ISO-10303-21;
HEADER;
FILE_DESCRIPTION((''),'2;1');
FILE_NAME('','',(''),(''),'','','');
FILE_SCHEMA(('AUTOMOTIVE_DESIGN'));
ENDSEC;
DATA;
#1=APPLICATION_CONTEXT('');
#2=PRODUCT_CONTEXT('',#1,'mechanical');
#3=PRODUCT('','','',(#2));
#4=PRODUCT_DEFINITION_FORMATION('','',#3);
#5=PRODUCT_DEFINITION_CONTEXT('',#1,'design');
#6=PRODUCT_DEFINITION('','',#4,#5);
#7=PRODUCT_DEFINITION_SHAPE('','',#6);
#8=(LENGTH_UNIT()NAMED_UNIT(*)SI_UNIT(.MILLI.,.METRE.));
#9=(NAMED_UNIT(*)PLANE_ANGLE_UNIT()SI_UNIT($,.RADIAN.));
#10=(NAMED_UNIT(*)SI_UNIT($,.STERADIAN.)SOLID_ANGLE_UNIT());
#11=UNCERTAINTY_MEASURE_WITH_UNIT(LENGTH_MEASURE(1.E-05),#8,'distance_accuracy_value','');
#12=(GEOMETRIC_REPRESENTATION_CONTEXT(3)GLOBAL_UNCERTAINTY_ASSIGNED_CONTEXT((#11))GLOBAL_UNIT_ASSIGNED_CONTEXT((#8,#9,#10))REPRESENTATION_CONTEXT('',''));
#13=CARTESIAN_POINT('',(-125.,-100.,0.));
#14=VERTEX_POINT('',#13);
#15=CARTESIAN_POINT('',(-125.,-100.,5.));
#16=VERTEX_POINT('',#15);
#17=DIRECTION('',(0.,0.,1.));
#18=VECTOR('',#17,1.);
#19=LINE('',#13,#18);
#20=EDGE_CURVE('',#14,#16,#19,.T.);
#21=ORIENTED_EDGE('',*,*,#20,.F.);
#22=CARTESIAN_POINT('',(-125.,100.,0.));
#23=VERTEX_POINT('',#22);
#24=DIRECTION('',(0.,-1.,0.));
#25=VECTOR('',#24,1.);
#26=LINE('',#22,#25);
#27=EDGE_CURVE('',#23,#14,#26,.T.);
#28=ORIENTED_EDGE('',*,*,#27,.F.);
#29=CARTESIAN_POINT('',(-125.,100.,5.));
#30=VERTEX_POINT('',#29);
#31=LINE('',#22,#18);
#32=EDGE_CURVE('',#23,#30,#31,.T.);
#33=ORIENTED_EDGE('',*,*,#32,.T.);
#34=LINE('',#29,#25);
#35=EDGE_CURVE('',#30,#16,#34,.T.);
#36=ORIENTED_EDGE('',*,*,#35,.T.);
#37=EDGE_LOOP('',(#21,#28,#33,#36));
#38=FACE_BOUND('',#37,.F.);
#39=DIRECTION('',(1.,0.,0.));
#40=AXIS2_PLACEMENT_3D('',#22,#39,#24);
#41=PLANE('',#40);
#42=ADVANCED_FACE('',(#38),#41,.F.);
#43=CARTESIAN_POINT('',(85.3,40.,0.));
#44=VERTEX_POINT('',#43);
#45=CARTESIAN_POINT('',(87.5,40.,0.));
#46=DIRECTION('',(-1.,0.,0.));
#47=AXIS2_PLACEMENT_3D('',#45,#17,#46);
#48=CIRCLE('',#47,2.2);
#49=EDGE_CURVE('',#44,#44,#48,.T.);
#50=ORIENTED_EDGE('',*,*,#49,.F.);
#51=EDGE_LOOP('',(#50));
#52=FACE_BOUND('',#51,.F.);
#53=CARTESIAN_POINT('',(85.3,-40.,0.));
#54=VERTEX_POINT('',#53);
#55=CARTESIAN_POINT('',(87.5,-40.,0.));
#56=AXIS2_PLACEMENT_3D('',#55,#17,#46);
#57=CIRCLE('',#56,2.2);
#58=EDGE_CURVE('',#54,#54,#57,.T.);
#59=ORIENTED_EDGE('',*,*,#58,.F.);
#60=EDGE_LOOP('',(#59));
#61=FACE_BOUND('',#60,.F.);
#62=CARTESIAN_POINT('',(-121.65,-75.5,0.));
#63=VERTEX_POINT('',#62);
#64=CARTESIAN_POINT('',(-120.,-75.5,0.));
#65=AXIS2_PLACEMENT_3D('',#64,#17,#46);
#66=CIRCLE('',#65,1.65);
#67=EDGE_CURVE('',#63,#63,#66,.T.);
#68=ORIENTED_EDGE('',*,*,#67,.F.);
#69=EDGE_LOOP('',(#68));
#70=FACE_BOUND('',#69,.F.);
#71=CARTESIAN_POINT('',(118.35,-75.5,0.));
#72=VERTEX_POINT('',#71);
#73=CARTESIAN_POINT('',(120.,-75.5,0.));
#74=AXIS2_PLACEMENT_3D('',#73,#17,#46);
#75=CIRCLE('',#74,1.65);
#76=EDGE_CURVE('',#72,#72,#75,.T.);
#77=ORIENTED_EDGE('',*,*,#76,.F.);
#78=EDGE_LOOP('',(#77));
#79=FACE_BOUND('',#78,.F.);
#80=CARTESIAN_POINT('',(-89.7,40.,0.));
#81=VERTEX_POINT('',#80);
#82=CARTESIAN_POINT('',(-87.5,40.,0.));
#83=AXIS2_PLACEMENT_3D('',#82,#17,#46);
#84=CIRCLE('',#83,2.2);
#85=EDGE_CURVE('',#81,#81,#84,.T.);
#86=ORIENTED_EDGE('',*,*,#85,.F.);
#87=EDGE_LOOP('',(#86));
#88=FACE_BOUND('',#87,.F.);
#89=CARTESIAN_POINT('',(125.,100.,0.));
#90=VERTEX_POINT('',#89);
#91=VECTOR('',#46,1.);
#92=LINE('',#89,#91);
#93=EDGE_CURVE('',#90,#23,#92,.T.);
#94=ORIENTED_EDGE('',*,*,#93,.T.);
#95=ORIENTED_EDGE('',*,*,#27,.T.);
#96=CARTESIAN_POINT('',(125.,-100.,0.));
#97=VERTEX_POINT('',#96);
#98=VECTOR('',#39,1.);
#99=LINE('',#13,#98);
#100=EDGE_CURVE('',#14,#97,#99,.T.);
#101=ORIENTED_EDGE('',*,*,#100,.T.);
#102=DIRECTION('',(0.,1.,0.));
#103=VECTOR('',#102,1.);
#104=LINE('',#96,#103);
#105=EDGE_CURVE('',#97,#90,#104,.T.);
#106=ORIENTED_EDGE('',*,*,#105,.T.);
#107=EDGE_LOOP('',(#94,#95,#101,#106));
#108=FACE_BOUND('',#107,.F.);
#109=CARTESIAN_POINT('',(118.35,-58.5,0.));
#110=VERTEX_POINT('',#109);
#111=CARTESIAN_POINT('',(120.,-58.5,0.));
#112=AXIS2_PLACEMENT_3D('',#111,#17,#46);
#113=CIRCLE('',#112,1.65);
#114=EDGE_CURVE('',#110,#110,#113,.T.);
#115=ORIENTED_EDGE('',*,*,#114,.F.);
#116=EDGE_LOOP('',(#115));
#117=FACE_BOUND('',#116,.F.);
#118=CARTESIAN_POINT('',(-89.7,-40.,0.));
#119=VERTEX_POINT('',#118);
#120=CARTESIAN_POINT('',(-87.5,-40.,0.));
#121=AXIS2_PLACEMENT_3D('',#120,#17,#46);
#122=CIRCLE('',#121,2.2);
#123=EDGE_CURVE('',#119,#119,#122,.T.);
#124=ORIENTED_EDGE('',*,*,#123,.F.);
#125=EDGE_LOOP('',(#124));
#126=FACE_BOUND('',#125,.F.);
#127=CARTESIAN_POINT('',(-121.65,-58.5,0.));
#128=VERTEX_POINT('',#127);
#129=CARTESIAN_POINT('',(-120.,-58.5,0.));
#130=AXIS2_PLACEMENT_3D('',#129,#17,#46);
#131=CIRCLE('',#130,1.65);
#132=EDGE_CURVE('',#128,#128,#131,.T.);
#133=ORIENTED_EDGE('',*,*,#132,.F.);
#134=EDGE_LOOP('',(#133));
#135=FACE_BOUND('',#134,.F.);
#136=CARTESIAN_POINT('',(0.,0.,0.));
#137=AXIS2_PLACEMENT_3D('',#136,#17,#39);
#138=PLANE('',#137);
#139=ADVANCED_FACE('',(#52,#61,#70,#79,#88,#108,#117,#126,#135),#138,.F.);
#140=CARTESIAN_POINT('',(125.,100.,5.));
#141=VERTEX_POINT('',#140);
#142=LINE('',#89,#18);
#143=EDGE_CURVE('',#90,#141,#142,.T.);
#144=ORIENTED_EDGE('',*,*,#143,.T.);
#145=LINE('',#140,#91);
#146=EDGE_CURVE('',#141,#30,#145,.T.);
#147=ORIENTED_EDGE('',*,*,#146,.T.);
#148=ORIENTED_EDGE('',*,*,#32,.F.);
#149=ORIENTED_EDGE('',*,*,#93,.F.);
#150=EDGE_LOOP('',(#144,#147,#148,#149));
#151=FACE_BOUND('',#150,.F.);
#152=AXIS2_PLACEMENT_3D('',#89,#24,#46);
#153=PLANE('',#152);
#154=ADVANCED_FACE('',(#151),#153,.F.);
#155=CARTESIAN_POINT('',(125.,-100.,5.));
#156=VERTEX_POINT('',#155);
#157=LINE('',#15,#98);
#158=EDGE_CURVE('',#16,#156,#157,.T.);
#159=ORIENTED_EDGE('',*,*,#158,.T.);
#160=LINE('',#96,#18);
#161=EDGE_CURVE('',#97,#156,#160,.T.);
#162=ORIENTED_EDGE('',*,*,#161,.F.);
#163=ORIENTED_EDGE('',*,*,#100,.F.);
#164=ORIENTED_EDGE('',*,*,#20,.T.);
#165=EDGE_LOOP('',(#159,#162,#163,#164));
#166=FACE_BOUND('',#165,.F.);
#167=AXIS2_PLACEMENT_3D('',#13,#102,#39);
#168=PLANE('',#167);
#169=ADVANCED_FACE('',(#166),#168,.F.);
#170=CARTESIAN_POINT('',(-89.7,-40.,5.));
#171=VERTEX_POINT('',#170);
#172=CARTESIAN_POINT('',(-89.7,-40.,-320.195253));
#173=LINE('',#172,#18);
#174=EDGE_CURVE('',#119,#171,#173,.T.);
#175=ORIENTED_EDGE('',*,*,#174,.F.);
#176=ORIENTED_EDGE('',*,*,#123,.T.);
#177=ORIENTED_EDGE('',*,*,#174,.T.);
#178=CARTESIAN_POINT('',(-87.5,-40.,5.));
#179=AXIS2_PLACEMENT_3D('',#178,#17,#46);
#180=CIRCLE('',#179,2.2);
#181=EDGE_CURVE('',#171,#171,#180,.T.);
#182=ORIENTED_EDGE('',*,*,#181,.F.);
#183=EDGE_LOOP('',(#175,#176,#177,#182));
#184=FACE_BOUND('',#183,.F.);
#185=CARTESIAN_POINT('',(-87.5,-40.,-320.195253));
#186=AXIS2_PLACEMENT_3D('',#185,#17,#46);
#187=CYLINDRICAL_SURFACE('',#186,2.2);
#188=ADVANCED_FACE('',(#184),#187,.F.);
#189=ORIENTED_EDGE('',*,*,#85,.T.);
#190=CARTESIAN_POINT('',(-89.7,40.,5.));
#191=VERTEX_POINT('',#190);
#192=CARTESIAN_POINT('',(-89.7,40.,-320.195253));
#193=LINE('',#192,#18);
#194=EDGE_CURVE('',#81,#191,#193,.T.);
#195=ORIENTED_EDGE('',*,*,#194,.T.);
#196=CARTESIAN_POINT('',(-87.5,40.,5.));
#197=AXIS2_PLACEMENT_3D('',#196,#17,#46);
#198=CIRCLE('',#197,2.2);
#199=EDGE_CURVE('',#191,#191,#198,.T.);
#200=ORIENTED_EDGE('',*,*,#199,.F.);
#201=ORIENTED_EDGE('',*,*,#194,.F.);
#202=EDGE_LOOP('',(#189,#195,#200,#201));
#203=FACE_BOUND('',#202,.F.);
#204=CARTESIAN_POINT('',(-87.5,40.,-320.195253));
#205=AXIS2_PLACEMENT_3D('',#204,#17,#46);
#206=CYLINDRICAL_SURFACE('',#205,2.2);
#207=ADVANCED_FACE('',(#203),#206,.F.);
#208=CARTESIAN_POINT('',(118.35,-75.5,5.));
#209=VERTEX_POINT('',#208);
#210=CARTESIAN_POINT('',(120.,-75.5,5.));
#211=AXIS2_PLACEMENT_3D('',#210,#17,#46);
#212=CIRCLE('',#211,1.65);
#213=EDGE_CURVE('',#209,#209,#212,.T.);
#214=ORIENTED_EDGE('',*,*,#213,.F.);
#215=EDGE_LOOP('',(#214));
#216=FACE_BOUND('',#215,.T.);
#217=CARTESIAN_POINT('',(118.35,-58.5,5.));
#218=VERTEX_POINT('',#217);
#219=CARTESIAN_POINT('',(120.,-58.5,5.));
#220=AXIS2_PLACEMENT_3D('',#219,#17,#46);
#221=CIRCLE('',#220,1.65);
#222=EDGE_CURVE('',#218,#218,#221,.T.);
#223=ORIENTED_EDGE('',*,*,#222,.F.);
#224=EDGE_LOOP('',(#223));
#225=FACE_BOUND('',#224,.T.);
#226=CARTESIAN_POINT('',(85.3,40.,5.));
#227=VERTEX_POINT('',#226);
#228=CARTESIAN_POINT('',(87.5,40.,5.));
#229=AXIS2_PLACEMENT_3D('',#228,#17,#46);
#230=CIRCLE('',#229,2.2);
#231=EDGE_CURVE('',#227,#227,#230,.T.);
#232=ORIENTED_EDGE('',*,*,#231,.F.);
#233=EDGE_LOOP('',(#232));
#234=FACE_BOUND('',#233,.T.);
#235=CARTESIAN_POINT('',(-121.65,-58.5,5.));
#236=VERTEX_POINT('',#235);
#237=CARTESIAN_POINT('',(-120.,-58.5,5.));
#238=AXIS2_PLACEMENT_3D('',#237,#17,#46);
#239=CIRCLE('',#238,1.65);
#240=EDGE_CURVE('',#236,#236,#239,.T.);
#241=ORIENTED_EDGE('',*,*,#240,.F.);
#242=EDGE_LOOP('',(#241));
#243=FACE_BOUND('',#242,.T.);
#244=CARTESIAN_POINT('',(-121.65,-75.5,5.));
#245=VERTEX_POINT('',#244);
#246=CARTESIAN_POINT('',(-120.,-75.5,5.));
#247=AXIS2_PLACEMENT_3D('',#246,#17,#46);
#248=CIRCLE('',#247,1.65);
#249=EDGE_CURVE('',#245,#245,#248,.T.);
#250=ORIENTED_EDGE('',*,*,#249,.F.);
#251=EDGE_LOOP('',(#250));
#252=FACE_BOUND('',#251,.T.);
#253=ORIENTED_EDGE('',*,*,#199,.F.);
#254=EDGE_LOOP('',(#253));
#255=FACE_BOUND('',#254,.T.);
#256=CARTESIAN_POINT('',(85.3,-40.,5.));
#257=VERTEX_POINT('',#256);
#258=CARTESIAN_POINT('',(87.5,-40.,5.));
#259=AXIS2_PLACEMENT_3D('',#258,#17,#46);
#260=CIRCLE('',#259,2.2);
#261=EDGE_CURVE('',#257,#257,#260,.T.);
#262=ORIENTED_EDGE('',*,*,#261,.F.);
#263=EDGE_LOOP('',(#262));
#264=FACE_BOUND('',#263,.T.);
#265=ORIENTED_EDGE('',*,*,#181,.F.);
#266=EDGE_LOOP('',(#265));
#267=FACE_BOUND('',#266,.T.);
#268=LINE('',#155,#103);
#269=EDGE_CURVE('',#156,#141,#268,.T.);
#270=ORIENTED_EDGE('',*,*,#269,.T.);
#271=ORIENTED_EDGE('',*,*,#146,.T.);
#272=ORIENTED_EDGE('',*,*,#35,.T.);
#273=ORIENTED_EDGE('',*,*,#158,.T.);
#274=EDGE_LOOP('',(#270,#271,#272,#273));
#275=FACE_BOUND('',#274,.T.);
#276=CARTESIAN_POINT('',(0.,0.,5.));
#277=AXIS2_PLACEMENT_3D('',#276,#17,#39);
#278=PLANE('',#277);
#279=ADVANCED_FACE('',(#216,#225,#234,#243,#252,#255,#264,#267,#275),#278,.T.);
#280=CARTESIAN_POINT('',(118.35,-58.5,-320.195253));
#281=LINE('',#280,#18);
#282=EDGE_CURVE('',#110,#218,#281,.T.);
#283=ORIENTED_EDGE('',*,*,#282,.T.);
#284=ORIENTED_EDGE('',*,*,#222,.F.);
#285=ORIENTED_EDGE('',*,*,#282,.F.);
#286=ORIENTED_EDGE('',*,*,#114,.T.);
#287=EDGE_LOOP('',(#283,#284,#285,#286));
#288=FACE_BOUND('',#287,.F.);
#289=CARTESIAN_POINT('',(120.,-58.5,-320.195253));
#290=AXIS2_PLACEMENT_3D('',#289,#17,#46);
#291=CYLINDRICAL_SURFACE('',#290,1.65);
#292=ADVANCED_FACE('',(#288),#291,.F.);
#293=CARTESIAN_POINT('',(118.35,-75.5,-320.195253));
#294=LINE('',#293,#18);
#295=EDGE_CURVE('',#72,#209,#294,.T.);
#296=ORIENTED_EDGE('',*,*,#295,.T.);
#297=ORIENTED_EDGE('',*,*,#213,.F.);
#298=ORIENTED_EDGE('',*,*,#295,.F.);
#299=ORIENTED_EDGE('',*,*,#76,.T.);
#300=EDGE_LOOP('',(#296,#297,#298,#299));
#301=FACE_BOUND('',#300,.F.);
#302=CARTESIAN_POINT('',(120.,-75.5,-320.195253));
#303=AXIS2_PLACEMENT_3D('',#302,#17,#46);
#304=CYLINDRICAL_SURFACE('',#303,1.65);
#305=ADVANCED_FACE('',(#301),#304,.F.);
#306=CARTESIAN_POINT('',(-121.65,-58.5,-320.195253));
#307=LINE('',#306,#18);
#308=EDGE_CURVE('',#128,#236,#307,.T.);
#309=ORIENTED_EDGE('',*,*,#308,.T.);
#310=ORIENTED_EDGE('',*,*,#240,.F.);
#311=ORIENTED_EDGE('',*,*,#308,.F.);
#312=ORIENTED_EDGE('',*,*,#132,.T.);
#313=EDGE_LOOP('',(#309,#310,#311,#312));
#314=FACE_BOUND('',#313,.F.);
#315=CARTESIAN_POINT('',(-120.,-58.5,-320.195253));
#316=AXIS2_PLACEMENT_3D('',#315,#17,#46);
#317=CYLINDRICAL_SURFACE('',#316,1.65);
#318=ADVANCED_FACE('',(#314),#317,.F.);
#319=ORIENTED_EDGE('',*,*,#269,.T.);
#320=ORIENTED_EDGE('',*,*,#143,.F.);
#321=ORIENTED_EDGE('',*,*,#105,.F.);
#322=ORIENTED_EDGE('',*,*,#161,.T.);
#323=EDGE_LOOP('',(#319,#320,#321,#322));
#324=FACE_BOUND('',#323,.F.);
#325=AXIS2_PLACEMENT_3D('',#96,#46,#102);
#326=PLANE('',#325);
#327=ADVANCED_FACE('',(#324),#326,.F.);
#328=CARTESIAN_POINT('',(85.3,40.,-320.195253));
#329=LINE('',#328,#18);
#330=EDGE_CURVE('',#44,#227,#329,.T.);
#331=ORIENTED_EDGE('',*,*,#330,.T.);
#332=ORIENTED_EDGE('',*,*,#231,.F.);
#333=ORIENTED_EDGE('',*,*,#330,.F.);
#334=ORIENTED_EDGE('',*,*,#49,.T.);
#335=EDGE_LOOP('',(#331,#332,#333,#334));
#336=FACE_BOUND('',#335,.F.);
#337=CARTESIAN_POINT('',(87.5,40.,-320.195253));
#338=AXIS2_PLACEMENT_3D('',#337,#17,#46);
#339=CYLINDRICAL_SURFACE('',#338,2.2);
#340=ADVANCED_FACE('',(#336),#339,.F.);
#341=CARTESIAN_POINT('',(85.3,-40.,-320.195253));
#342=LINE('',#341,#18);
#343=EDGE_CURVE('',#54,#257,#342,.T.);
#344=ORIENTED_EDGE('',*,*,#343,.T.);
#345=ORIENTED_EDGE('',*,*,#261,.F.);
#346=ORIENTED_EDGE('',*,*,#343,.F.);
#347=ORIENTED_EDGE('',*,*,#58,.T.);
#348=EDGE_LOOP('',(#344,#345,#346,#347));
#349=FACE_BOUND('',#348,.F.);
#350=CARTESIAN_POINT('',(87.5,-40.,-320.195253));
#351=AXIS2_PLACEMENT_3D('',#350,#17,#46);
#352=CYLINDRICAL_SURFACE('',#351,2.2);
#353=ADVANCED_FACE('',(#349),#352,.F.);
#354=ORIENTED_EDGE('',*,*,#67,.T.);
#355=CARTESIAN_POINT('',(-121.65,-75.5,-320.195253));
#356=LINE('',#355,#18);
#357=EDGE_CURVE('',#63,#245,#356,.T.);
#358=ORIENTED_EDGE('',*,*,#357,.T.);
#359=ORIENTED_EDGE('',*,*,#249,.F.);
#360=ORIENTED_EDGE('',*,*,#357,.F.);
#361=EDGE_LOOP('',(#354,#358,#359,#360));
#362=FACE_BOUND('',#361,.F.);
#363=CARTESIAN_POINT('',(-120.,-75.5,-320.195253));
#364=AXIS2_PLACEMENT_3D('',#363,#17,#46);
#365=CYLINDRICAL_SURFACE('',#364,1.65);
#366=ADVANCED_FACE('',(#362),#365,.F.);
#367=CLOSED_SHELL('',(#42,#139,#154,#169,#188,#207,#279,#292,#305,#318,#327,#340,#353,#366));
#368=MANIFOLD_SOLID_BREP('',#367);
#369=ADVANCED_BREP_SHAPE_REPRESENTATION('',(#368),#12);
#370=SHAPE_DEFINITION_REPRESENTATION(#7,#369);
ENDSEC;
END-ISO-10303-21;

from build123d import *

# Parameters (mm, degrees)
F1_DEPTH = 5
F2_D     = 4.4
F3_D     = 3.3


with BuildPart() as f1:
    # F0 (on Top) → F1 (new body)
    with BuildSketch(Plane.XY):
        Polygon((125, 100), (-125, 100), (-125, -54), (-125, -80), (-125, -100), (125, -100), align=None)
    extrude(amount=F1_DEPTH)

    # F2 (through all)
    with Locations(Plane(origin=(0, 0, 0), x_dir=(1, 0, 0), z_dir=(0, 0, -1))):
        with Locations((-87.5, -40), (87.5, -40), (-87.5, 40), (87.5, 40)):
            Hole(F2_D / 2)

    # F3 (through all)
    with Locations(Plane(origin=(0, 0, 0), x_dir=(1, 0, 0), z_dir=(0, 0, -1))):
        with Locations((-120, 58.5), (-120, 75.5), (120, 75.5), (120, 58.5)):
            Hole(F3_D / 2)


solid = f1.part
